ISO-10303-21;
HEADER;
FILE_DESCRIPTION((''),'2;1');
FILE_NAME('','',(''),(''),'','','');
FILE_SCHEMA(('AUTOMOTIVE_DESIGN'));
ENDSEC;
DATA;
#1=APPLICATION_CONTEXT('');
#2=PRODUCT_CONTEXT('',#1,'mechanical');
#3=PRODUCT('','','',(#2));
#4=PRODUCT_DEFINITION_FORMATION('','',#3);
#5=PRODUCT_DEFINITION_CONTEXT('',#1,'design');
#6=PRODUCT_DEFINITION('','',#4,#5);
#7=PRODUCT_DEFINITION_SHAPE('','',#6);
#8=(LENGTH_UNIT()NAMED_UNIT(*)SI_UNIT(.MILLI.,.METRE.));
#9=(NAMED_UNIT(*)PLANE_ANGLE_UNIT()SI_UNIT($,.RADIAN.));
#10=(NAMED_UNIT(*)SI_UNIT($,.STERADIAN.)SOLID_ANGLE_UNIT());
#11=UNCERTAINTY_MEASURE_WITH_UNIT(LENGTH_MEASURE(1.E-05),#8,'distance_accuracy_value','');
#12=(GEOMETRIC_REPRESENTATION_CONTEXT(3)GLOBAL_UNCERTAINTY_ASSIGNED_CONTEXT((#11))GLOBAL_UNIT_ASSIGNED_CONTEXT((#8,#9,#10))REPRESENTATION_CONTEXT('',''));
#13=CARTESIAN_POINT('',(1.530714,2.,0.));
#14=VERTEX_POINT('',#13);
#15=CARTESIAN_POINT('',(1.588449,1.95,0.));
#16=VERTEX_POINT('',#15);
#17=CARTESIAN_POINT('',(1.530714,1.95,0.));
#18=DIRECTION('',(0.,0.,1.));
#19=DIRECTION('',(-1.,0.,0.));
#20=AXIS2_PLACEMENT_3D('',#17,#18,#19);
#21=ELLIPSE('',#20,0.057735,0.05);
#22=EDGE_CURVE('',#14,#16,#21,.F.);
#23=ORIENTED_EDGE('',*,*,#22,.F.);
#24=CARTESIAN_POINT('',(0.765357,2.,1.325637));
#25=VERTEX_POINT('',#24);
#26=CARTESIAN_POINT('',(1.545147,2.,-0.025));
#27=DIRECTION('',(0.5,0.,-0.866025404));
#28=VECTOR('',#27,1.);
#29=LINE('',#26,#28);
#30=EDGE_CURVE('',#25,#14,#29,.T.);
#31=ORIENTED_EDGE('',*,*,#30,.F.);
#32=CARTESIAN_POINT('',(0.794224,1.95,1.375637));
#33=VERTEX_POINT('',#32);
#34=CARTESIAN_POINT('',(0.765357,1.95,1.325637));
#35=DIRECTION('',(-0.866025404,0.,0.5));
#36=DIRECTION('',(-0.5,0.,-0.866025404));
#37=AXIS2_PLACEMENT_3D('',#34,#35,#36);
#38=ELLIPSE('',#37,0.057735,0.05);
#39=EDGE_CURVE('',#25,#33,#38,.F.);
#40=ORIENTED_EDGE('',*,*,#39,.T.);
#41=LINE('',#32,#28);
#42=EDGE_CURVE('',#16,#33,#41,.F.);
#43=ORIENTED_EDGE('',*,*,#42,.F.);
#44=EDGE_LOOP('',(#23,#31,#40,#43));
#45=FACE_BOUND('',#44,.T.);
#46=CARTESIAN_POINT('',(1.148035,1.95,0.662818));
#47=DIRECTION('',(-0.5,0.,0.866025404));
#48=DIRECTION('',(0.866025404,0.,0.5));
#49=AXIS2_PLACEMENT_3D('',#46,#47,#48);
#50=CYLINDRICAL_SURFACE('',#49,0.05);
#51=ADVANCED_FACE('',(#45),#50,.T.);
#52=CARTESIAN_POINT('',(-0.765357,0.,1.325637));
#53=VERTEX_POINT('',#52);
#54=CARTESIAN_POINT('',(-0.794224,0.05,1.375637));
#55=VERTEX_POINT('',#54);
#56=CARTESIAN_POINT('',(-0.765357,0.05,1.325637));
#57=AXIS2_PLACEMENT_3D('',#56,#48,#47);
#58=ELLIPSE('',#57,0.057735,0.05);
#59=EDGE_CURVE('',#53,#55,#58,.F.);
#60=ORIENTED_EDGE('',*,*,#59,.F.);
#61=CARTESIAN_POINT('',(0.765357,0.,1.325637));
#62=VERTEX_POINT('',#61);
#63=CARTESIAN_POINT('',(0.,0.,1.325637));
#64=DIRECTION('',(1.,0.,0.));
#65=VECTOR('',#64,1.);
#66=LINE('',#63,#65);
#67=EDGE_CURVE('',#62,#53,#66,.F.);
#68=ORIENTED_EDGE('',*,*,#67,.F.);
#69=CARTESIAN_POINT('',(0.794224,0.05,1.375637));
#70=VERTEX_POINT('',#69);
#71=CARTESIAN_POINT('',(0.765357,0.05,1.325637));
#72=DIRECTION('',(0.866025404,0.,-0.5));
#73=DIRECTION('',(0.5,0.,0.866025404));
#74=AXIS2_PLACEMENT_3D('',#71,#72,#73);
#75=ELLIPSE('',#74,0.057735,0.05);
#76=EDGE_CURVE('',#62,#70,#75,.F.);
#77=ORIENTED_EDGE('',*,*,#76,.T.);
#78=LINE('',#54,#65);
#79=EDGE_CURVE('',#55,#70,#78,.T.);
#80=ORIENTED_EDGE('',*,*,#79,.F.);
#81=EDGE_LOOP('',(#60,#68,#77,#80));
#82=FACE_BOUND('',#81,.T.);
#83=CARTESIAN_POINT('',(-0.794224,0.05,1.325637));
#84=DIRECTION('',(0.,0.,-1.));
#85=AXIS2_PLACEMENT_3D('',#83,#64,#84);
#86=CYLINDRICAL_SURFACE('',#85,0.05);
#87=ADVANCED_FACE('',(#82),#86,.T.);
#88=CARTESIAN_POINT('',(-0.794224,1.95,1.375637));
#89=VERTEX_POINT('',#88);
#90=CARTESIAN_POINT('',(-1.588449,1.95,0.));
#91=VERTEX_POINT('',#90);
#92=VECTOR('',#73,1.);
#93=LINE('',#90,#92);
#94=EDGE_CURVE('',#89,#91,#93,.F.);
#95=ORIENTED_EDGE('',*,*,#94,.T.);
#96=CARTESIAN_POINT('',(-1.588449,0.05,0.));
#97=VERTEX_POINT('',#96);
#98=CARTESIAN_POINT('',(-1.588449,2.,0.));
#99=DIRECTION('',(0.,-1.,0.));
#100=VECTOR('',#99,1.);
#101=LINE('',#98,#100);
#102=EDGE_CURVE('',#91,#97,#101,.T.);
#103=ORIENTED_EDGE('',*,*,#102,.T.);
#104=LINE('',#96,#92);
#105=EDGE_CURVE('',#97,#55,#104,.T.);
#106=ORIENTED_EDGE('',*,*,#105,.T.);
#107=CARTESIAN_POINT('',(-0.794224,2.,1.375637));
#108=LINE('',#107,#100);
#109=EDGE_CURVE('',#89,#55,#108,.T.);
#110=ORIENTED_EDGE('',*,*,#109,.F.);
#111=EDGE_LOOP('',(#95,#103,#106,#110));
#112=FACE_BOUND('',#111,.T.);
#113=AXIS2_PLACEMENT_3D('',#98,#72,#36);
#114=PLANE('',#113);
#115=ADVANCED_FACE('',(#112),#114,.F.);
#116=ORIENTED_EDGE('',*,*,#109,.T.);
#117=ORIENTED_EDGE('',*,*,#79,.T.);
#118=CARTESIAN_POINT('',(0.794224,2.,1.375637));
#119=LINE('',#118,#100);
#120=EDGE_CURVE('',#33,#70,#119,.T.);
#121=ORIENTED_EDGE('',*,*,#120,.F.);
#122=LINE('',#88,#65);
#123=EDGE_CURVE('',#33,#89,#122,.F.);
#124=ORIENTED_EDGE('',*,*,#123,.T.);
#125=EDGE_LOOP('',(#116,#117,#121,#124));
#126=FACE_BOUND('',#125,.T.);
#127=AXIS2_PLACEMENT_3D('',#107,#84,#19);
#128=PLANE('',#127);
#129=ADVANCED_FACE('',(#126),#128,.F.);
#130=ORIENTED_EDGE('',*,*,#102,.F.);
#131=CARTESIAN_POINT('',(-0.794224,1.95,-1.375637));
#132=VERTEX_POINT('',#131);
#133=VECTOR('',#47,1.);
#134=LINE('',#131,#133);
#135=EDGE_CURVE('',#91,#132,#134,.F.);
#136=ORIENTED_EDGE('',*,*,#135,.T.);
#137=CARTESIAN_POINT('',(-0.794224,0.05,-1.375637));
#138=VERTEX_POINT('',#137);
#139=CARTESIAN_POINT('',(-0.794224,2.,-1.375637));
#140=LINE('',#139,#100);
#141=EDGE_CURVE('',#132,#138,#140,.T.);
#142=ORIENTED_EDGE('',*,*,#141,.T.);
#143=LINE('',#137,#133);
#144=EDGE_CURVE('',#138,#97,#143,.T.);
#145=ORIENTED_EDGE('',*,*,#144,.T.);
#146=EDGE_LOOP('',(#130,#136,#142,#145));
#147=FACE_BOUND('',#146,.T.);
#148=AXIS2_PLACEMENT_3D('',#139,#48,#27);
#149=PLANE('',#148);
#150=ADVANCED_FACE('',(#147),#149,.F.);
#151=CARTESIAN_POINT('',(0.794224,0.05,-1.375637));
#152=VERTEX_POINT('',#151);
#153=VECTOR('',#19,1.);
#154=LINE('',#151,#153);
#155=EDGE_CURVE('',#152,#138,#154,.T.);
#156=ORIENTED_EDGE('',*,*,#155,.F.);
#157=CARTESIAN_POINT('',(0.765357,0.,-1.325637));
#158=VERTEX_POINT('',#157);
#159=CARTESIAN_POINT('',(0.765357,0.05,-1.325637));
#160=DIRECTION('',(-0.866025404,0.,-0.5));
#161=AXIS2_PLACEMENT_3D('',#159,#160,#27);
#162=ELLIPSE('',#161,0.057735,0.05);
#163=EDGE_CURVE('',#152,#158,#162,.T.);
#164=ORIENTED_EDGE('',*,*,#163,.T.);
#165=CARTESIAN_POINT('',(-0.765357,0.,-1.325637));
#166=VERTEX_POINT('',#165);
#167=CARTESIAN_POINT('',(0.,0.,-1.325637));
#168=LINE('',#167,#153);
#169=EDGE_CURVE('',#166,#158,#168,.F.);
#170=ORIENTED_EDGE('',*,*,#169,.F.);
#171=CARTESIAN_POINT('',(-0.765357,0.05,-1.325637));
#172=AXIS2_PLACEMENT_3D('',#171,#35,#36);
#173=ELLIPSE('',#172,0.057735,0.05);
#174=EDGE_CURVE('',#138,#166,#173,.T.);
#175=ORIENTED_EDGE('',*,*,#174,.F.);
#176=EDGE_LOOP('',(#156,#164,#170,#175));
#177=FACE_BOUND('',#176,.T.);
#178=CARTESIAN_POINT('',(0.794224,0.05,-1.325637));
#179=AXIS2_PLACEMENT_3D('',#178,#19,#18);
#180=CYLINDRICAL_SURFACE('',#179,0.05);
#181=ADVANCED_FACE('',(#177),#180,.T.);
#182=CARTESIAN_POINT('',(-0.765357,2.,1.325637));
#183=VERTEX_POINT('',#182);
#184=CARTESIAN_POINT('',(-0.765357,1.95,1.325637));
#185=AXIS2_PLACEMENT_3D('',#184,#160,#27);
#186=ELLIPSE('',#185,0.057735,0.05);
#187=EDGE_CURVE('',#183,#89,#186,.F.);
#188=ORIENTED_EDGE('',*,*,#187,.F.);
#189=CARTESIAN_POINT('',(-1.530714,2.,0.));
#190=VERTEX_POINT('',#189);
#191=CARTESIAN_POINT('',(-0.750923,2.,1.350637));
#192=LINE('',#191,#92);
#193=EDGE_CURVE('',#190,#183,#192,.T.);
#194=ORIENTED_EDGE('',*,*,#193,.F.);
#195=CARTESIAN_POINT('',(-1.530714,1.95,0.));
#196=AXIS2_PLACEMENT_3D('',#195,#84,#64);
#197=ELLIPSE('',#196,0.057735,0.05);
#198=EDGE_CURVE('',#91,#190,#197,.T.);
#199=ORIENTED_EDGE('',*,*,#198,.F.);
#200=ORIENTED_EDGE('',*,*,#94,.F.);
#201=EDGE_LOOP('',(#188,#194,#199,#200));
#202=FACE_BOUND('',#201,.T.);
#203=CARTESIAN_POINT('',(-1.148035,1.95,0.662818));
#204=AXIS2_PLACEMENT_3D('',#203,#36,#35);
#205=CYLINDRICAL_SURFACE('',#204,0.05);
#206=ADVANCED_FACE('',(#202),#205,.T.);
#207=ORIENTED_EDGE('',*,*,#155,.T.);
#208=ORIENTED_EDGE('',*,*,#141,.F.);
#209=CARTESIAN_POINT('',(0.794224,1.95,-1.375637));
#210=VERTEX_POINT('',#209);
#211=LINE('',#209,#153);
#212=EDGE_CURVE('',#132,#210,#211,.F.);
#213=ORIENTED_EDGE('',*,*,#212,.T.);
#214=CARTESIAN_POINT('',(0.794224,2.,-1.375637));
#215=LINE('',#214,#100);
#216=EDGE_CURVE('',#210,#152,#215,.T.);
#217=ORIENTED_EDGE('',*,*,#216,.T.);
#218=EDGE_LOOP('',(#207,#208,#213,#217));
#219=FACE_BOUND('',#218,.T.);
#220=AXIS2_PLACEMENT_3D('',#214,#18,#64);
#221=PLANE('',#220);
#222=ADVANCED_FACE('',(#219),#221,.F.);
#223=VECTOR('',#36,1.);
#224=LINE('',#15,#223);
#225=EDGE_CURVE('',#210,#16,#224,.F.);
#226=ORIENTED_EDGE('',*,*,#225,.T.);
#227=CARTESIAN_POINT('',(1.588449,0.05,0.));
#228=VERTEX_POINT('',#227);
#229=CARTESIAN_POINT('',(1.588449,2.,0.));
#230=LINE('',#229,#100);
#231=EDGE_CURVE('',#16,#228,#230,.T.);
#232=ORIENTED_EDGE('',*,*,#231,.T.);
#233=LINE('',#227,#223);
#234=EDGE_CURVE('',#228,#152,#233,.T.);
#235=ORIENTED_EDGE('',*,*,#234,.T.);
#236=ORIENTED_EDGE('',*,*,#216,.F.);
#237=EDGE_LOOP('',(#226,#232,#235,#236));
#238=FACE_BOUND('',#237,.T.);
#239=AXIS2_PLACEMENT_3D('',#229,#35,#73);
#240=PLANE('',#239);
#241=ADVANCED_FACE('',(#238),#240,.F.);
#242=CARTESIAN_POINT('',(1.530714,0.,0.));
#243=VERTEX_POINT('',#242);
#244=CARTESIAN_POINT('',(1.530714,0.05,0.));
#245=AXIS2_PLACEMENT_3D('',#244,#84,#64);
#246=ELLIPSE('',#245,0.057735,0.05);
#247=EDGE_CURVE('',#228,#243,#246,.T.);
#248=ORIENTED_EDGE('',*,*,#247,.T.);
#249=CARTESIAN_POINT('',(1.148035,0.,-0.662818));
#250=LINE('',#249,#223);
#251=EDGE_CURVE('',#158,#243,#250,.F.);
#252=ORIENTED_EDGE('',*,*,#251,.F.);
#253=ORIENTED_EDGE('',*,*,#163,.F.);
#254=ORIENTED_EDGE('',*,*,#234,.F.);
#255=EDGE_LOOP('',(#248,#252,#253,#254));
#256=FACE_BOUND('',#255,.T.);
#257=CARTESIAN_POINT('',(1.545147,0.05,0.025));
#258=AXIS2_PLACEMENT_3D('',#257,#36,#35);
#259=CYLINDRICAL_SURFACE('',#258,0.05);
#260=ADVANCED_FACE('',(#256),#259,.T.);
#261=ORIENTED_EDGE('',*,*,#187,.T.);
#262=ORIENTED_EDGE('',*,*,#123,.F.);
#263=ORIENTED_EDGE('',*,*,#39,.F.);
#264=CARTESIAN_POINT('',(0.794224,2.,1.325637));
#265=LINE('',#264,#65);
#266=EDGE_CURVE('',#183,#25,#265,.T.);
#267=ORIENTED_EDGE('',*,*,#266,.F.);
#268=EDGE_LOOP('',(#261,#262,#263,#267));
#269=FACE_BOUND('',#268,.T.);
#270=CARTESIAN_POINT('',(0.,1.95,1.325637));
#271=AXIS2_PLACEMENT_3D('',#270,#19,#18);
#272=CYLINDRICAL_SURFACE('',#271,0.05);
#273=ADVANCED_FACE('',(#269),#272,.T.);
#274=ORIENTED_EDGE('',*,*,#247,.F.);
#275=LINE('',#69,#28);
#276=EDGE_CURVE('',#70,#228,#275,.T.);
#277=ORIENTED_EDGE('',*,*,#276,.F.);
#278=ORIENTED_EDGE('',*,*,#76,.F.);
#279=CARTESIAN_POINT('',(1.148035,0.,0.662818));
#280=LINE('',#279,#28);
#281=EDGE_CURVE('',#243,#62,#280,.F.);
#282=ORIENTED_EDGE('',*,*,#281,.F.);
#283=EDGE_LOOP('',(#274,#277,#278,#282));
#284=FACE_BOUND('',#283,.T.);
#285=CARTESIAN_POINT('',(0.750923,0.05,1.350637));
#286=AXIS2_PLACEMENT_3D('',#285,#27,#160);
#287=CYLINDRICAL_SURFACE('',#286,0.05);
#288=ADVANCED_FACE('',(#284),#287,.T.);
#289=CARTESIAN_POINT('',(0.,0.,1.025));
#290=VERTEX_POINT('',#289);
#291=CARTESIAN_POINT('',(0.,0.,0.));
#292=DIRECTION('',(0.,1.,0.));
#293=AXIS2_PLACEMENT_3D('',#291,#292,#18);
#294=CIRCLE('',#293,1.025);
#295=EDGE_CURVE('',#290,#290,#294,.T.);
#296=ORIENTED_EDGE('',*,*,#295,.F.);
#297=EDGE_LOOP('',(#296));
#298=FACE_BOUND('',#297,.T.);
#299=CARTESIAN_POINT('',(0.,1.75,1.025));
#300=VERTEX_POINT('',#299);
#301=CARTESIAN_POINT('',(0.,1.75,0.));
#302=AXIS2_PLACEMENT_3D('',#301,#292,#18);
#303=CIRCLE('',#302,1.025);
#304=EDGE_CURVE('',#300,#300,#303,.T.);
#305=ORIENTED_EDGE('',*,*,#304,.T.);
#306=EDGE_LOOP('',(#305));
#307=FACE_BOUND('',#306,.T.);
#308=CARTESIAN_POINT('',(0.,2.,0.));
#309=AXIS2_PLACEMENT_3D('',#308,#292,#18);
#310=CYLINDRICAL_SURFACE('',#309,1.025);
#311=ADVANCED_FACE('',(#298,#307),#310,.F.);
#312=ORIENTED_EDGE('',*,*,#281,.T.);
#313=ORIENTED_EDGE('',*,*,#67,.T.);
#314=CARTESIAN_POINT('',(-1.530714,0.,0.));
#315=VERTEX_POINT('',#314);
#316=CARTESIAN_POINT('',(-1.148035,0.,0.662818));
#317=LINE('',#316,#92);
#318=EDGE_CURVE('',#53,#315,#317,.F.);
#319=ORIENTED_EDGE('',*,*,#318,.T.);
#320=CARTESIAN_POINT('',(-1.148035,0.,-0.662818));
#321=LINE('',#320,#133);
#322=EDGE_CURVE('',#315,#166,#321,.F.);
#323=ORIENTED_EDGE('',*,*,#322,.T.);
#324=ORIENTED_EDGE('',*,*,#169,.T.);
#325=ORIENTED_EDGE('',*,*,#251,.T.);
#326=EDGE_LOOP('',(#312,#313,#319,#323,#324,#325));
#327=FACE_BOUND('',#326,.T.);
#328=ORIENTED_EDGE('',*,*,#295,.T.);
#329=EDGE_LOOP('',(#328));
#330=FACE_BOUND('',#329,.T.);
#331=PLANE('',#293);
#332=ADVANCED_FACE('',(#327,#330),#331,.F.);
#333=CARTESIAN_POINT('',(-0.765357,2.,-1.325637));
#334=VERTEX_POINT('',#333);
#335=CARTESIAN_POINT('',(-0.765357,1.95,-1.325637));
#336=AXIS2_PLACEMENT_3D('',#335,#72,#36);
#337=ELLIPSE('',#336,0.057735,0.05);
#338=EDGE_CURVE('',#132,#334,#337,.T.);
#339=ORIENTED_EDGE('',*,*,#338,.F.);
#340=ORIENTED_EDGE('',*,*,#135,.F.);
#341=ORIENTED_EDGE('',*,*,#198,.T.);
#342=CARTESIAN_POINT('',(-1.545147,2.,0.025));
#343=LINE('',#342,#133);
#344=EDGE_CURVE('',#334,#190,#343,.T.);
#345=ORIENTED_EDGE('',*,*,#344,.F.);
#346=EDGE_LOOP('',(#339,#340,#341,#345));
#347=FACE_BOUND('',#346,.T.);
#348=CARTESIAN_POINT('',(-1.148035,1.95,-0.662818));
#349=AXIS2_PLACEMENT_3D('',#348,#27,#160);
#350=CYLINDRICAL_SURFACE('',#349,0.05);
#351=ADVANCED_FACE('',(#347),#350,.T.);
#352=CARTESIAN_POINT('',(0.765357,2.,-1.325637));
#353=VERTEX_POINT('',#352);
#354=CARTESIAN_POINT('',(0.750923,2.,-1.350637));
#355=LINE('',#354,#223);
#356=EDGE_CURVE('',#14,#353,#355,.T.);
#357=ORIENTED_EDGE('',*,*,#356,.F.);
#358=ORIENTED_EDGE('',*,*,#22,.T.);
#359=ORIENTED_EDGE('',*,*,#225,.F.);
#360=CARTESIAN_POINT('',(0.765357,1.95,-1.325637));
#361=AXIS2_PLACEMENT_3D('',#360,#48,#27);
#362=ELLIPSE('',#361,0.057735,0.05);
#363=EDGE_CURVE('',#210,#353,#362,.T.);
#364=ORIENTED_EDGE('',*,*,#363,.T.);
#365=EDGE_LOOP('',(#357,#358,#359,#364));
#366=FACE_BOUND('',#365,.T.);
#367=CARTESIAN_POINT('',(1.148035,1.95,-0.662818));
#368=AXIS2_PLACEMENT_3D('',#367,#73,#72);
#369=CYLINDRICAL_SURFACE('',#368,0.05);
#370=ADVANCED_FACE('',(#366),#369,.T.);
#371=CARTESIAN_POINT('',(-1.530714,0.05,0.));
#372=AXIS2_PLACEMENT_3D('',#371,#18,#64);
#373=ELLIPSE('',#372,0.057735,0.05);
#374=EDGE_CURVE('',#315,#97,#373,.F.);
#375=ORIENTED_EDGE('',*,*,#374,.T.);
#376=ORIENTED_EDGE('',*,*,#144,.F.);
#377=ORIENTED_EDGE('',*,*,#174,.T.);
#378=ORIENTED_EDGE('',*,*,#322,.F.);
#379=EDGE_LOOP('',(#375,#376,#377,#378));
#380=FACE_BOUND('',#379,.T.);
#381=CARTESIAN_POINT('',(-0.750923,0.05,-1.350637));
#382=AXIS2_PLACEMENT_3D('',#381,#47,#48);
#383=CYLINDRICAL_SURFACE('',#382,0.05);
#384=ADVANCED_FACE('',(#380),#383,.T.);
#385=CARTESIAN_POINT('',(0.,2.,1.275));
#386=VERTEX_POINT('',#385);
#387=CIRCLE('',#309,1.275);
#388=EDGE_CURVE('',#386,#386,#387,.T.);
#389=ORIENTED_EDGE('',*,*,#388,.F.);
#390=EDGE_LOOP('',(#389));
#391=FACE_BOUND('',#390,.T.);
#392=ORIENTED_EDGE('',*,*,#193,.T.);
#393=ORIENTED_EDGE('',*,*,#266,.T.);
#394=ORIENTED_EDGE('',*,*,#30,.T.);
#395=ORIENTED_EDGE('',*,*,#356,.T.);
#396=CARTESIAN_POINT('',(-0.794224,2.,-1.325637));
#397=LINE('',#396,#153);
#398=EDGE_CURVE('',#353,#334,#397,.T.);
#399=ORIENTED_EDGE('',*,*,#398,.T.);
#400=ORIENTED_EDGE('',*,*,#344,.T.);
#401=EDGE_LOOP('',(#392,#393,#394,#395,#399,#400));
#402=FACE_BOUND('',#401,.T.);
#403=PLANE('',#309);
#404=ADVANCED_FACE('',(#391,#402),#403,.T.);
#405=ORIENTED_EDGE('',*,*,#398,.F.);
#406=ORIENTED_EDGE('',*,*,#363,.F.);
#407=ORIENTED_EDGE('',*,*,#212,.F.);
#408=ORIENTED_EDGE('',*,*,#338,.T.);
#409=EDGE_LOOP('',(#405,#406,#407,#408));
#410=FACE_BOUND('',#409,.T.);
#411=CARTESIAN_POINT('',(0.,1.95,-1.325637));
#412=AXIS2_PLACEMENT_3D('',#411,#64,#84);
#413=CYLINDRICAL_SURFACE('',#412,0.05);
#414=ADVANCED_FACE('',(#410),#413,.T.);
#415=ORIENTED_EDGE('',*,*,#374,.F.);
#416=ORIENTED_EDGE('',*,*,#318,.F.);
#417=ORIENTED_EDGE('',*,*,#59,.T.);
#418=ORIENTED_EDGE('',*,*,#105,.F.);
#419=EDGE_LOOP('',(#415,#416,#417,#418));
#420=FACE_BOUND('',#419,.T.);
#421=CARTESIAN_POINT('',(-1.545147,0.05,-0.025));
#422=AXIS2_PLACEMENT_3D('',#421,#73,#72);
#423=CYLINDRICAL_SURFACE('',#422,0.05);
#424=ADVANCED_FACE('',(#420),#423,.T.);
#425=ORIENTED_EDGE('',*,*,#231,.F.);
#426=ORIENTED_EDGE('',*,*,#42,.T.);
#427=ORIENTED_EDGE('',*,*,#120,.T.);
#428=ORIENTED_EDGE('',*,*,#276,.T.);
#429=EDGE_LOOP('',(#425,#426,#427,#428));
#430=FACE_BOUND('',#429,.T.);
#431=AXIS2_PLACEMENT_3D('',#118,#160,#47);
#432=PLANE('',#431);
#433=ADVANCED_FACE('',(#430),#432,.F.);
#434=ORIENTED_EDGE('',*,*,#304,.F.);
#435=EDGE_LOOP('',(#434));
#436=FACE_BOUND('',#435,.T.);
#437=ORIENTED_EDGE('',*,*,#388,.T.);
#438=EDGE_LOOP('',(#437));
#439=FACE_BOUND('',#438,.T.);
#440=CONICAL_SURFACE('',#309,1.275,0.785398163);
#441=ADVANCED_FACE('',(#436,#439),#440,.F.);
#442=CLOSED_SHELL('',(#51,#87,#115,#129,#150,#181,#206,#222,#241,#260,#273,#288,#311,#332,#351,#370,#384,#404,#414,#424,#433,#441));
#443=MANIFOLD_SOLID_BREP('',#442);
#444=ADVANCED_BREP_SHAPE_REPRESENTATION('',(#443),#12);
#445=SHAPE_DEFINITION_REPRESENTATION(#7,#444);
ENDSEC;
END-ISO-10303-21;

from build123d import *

# Parameters (mm, degrees)
BOSS_EXTRUDE5_DEPTH                = 2
M2_5X0_45_TAPPED_HOLE1_D           = 2.05
M2_5X0_45_TAPPED_HOLE1_CSINK_D     = 2.55
M2_5X0_45_TAPPED_HOLE1_CSINK_ANGLE = 90
FILLET1_R                          = 0.05
FILLET2_R                          = 0.05


with BuildPart() as part:
    # Sketch1 → Boss-Extrude5 (new body)
    with BuildSketch(Plane(origin=(0, 0, 0), x_dir=(1, 0, 0), z_dir=(0, 1, 0))):
        Polygon((1.588448583, 0), (0.794224291, 1.375636825), (-0.794224291, 1.375636825), (-1.588448583, 0), (-0.794224291, -1.375636825), (0.794224291, -1.375636825), align=None)
    extrude(amount=BOSS_EXTRUDE5_DEPTH)

    # M2.5x0.45 Tapped Hole1 (through all)
    with Locations(Plane(origin=(0, 2, 0), x_dir=(1, 0, 0), z_dir=(0, 1, 0))):
        with Locations((0, 0)):
            CounterSinkHole(M2_5X0_45_TAPPED_HOLE1_D / 2, M2_5X0_45_TAPPED_HOLE1_CSINK_D / 2, counter_sink_angle=M2_5X0_45_TAPPED_HOLE1_CSINK_ANGLE)

    # Fillet1
    fillet1_edges = [part.edges().sort_by_distance(p)[0] for p in [
        (0, 2, -1.375636825),
        (-1.191336437, 2, -0.687818413),
        (-1.191336437, 2, 0.687818413),
        (0, 2, 1.375636825),
        (1.191336437, 2, 0.687818413),
        (1.191336437, 2, -0.687818413),
    ]]
    fillet(fillet1_edges, radius=FILLET1_R)

    # Fillet2
    fillet2_edges = [part.edges().sort_by_distance(p)[0] for p in [
        (0, 0, 1.375636825),
        (-1.191336437, 0, 0.687818413),
        (-1.191336437, 0, -0.687818413),
        (0, 0, -1.375636825),
        (1.191336437, 0, -0.687818413),
        (1.191336437, 0, 0.687818413),
    ]]
    fillet(fillet2_edges, radius=FILLET2_R)


solid = part.part
